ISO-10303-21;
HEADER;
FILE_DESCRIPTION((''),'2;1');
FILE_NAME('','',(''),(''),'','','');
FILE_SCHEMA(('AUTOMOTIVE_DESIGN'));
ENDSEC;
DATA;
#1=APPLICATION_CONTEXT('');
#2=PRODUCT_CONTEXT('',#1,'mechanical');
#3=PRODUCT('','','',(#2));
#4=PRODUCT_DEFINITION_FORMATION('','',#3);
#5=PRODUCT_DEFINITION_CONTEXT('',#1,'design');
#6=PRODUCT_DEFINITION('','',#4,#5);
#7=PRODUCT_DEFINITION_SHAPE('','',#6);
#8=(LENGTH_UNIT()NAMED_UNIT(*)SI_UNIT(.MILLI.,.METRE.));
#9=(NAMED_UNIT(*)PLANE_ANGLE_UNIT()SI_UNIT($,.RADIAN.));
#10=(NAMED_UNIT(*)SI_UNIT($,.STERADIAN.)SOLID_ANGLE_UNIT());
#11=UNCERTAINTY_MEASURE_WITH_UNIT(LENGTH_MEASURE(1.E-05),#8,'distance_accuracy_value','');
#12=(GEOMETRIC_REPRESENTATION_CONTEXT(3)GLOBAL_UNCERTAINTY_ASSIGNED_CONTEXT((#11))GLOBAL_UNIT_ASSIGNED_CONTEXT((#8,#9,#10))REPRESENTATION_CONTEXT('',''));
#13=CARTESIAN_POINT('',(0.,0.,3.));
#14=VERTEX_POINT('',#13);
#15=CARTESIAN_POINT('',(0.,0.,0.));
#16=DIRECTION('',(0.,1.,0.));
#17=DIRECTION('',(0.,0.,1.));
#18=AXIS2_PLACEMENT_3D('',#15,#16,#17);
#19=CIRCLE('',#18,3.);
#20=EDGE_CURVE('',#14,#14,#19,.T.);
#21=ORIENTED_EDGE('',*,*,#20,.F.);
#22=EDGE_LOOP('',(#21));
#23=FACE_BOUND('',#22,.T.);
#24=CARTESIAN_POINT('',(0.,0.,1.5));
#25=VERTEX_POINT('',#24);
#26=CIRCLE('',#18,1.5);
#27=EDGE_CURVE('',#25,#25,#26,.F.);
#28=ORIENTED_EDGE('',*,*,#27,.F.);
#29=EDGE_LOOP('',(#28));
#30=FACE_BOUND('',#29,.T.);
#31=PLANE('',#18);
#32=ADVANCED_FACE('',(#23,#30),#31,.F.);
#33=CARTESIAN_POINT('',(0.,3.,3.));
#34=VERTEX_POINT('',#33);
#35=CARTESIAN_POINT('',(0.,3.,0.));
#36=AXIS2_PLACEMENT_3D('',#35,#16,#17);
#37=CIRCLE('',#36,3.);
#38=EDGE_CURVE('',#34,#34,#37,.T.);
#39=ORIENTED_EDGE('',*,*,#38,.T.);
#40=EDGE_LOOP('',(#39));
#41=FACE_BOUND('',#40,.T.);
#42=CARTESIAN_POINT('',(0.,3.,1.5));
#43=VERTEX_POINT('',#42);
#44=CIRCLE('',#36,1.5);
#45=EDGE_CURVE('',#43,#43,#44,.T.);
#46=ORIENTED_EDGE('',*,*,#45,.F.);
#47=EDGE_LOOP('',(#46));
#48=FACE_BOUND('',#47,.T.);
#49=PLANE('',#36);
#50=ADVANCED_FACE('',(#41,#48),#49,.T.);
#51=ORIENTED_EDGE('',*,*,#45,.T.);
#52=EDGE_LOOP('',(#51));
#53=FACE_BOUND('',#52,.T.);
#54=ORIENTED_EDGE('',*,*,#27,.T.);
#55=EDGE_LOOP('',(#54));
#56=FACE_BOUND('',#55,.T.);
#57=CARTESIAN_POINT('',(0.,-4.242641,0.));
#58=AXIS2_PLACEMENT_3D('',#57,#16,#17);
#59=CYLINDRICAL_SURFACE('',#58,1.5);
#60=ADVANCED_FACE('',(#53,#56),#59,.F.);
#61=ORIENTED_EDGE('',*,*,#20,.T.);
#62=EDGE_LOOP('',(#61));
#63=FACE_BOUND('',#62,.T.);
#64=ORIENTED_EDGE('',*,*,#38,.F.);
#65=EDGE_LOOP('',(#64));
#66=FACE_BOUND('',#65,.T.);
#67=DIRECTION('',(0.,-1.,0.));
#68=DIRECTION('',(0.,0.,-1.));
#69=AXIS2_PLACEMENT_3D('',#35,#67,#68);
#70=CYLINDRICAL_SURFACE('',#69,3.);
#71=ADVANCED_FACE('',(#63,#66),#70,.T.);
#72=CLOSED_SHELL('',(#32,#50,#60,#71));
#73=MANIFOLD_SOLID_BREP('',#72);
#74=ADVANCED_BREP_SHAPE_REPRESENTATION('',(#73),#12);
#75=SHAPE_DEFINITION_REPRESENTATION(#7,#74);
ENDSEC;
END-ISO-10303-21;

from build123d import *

# Parameters (mm, degrees)
SKETCH1_R           = 3
BOSS_EXTRUDE1_DEPTH = 3
SKETCH2_R           = 1.5
CUT_EXTRUDE1_DEPTH  = 3


with BuildPart() as part:
    # Sketch1 → Boss-Extrude1 (new body)
    with BuildSketch(Plane(origin=(0, 0, 0), x_dir=(1, 0, 0), z_dir=(0, 1, 0))):
        with Locations(Location((0, 0, 0), (0, 0, 270))):  # turned: the seam where the file's is
            Circle(SKETCH1_R)
    extrude(amount=BOSS_EXTRUDE1_DEPTH)

    # Sketch2 → Cut-Extrude1 (cut)
    with BuildSketch(Plane(origin=(0, 3, 0), x_dir=(1, 0, 0), z_dir=(0, 1, 0))):
        with Locations(Location((0, 0, 0), (0, 0, 270))):  # turned: the seam where the file's is
            Circle(SKETCH2_R)
    extrude(amount=-CUT_EXTRUDE1_DEPTH, mode=Mode.SUBTRACT)


solid = part.part
